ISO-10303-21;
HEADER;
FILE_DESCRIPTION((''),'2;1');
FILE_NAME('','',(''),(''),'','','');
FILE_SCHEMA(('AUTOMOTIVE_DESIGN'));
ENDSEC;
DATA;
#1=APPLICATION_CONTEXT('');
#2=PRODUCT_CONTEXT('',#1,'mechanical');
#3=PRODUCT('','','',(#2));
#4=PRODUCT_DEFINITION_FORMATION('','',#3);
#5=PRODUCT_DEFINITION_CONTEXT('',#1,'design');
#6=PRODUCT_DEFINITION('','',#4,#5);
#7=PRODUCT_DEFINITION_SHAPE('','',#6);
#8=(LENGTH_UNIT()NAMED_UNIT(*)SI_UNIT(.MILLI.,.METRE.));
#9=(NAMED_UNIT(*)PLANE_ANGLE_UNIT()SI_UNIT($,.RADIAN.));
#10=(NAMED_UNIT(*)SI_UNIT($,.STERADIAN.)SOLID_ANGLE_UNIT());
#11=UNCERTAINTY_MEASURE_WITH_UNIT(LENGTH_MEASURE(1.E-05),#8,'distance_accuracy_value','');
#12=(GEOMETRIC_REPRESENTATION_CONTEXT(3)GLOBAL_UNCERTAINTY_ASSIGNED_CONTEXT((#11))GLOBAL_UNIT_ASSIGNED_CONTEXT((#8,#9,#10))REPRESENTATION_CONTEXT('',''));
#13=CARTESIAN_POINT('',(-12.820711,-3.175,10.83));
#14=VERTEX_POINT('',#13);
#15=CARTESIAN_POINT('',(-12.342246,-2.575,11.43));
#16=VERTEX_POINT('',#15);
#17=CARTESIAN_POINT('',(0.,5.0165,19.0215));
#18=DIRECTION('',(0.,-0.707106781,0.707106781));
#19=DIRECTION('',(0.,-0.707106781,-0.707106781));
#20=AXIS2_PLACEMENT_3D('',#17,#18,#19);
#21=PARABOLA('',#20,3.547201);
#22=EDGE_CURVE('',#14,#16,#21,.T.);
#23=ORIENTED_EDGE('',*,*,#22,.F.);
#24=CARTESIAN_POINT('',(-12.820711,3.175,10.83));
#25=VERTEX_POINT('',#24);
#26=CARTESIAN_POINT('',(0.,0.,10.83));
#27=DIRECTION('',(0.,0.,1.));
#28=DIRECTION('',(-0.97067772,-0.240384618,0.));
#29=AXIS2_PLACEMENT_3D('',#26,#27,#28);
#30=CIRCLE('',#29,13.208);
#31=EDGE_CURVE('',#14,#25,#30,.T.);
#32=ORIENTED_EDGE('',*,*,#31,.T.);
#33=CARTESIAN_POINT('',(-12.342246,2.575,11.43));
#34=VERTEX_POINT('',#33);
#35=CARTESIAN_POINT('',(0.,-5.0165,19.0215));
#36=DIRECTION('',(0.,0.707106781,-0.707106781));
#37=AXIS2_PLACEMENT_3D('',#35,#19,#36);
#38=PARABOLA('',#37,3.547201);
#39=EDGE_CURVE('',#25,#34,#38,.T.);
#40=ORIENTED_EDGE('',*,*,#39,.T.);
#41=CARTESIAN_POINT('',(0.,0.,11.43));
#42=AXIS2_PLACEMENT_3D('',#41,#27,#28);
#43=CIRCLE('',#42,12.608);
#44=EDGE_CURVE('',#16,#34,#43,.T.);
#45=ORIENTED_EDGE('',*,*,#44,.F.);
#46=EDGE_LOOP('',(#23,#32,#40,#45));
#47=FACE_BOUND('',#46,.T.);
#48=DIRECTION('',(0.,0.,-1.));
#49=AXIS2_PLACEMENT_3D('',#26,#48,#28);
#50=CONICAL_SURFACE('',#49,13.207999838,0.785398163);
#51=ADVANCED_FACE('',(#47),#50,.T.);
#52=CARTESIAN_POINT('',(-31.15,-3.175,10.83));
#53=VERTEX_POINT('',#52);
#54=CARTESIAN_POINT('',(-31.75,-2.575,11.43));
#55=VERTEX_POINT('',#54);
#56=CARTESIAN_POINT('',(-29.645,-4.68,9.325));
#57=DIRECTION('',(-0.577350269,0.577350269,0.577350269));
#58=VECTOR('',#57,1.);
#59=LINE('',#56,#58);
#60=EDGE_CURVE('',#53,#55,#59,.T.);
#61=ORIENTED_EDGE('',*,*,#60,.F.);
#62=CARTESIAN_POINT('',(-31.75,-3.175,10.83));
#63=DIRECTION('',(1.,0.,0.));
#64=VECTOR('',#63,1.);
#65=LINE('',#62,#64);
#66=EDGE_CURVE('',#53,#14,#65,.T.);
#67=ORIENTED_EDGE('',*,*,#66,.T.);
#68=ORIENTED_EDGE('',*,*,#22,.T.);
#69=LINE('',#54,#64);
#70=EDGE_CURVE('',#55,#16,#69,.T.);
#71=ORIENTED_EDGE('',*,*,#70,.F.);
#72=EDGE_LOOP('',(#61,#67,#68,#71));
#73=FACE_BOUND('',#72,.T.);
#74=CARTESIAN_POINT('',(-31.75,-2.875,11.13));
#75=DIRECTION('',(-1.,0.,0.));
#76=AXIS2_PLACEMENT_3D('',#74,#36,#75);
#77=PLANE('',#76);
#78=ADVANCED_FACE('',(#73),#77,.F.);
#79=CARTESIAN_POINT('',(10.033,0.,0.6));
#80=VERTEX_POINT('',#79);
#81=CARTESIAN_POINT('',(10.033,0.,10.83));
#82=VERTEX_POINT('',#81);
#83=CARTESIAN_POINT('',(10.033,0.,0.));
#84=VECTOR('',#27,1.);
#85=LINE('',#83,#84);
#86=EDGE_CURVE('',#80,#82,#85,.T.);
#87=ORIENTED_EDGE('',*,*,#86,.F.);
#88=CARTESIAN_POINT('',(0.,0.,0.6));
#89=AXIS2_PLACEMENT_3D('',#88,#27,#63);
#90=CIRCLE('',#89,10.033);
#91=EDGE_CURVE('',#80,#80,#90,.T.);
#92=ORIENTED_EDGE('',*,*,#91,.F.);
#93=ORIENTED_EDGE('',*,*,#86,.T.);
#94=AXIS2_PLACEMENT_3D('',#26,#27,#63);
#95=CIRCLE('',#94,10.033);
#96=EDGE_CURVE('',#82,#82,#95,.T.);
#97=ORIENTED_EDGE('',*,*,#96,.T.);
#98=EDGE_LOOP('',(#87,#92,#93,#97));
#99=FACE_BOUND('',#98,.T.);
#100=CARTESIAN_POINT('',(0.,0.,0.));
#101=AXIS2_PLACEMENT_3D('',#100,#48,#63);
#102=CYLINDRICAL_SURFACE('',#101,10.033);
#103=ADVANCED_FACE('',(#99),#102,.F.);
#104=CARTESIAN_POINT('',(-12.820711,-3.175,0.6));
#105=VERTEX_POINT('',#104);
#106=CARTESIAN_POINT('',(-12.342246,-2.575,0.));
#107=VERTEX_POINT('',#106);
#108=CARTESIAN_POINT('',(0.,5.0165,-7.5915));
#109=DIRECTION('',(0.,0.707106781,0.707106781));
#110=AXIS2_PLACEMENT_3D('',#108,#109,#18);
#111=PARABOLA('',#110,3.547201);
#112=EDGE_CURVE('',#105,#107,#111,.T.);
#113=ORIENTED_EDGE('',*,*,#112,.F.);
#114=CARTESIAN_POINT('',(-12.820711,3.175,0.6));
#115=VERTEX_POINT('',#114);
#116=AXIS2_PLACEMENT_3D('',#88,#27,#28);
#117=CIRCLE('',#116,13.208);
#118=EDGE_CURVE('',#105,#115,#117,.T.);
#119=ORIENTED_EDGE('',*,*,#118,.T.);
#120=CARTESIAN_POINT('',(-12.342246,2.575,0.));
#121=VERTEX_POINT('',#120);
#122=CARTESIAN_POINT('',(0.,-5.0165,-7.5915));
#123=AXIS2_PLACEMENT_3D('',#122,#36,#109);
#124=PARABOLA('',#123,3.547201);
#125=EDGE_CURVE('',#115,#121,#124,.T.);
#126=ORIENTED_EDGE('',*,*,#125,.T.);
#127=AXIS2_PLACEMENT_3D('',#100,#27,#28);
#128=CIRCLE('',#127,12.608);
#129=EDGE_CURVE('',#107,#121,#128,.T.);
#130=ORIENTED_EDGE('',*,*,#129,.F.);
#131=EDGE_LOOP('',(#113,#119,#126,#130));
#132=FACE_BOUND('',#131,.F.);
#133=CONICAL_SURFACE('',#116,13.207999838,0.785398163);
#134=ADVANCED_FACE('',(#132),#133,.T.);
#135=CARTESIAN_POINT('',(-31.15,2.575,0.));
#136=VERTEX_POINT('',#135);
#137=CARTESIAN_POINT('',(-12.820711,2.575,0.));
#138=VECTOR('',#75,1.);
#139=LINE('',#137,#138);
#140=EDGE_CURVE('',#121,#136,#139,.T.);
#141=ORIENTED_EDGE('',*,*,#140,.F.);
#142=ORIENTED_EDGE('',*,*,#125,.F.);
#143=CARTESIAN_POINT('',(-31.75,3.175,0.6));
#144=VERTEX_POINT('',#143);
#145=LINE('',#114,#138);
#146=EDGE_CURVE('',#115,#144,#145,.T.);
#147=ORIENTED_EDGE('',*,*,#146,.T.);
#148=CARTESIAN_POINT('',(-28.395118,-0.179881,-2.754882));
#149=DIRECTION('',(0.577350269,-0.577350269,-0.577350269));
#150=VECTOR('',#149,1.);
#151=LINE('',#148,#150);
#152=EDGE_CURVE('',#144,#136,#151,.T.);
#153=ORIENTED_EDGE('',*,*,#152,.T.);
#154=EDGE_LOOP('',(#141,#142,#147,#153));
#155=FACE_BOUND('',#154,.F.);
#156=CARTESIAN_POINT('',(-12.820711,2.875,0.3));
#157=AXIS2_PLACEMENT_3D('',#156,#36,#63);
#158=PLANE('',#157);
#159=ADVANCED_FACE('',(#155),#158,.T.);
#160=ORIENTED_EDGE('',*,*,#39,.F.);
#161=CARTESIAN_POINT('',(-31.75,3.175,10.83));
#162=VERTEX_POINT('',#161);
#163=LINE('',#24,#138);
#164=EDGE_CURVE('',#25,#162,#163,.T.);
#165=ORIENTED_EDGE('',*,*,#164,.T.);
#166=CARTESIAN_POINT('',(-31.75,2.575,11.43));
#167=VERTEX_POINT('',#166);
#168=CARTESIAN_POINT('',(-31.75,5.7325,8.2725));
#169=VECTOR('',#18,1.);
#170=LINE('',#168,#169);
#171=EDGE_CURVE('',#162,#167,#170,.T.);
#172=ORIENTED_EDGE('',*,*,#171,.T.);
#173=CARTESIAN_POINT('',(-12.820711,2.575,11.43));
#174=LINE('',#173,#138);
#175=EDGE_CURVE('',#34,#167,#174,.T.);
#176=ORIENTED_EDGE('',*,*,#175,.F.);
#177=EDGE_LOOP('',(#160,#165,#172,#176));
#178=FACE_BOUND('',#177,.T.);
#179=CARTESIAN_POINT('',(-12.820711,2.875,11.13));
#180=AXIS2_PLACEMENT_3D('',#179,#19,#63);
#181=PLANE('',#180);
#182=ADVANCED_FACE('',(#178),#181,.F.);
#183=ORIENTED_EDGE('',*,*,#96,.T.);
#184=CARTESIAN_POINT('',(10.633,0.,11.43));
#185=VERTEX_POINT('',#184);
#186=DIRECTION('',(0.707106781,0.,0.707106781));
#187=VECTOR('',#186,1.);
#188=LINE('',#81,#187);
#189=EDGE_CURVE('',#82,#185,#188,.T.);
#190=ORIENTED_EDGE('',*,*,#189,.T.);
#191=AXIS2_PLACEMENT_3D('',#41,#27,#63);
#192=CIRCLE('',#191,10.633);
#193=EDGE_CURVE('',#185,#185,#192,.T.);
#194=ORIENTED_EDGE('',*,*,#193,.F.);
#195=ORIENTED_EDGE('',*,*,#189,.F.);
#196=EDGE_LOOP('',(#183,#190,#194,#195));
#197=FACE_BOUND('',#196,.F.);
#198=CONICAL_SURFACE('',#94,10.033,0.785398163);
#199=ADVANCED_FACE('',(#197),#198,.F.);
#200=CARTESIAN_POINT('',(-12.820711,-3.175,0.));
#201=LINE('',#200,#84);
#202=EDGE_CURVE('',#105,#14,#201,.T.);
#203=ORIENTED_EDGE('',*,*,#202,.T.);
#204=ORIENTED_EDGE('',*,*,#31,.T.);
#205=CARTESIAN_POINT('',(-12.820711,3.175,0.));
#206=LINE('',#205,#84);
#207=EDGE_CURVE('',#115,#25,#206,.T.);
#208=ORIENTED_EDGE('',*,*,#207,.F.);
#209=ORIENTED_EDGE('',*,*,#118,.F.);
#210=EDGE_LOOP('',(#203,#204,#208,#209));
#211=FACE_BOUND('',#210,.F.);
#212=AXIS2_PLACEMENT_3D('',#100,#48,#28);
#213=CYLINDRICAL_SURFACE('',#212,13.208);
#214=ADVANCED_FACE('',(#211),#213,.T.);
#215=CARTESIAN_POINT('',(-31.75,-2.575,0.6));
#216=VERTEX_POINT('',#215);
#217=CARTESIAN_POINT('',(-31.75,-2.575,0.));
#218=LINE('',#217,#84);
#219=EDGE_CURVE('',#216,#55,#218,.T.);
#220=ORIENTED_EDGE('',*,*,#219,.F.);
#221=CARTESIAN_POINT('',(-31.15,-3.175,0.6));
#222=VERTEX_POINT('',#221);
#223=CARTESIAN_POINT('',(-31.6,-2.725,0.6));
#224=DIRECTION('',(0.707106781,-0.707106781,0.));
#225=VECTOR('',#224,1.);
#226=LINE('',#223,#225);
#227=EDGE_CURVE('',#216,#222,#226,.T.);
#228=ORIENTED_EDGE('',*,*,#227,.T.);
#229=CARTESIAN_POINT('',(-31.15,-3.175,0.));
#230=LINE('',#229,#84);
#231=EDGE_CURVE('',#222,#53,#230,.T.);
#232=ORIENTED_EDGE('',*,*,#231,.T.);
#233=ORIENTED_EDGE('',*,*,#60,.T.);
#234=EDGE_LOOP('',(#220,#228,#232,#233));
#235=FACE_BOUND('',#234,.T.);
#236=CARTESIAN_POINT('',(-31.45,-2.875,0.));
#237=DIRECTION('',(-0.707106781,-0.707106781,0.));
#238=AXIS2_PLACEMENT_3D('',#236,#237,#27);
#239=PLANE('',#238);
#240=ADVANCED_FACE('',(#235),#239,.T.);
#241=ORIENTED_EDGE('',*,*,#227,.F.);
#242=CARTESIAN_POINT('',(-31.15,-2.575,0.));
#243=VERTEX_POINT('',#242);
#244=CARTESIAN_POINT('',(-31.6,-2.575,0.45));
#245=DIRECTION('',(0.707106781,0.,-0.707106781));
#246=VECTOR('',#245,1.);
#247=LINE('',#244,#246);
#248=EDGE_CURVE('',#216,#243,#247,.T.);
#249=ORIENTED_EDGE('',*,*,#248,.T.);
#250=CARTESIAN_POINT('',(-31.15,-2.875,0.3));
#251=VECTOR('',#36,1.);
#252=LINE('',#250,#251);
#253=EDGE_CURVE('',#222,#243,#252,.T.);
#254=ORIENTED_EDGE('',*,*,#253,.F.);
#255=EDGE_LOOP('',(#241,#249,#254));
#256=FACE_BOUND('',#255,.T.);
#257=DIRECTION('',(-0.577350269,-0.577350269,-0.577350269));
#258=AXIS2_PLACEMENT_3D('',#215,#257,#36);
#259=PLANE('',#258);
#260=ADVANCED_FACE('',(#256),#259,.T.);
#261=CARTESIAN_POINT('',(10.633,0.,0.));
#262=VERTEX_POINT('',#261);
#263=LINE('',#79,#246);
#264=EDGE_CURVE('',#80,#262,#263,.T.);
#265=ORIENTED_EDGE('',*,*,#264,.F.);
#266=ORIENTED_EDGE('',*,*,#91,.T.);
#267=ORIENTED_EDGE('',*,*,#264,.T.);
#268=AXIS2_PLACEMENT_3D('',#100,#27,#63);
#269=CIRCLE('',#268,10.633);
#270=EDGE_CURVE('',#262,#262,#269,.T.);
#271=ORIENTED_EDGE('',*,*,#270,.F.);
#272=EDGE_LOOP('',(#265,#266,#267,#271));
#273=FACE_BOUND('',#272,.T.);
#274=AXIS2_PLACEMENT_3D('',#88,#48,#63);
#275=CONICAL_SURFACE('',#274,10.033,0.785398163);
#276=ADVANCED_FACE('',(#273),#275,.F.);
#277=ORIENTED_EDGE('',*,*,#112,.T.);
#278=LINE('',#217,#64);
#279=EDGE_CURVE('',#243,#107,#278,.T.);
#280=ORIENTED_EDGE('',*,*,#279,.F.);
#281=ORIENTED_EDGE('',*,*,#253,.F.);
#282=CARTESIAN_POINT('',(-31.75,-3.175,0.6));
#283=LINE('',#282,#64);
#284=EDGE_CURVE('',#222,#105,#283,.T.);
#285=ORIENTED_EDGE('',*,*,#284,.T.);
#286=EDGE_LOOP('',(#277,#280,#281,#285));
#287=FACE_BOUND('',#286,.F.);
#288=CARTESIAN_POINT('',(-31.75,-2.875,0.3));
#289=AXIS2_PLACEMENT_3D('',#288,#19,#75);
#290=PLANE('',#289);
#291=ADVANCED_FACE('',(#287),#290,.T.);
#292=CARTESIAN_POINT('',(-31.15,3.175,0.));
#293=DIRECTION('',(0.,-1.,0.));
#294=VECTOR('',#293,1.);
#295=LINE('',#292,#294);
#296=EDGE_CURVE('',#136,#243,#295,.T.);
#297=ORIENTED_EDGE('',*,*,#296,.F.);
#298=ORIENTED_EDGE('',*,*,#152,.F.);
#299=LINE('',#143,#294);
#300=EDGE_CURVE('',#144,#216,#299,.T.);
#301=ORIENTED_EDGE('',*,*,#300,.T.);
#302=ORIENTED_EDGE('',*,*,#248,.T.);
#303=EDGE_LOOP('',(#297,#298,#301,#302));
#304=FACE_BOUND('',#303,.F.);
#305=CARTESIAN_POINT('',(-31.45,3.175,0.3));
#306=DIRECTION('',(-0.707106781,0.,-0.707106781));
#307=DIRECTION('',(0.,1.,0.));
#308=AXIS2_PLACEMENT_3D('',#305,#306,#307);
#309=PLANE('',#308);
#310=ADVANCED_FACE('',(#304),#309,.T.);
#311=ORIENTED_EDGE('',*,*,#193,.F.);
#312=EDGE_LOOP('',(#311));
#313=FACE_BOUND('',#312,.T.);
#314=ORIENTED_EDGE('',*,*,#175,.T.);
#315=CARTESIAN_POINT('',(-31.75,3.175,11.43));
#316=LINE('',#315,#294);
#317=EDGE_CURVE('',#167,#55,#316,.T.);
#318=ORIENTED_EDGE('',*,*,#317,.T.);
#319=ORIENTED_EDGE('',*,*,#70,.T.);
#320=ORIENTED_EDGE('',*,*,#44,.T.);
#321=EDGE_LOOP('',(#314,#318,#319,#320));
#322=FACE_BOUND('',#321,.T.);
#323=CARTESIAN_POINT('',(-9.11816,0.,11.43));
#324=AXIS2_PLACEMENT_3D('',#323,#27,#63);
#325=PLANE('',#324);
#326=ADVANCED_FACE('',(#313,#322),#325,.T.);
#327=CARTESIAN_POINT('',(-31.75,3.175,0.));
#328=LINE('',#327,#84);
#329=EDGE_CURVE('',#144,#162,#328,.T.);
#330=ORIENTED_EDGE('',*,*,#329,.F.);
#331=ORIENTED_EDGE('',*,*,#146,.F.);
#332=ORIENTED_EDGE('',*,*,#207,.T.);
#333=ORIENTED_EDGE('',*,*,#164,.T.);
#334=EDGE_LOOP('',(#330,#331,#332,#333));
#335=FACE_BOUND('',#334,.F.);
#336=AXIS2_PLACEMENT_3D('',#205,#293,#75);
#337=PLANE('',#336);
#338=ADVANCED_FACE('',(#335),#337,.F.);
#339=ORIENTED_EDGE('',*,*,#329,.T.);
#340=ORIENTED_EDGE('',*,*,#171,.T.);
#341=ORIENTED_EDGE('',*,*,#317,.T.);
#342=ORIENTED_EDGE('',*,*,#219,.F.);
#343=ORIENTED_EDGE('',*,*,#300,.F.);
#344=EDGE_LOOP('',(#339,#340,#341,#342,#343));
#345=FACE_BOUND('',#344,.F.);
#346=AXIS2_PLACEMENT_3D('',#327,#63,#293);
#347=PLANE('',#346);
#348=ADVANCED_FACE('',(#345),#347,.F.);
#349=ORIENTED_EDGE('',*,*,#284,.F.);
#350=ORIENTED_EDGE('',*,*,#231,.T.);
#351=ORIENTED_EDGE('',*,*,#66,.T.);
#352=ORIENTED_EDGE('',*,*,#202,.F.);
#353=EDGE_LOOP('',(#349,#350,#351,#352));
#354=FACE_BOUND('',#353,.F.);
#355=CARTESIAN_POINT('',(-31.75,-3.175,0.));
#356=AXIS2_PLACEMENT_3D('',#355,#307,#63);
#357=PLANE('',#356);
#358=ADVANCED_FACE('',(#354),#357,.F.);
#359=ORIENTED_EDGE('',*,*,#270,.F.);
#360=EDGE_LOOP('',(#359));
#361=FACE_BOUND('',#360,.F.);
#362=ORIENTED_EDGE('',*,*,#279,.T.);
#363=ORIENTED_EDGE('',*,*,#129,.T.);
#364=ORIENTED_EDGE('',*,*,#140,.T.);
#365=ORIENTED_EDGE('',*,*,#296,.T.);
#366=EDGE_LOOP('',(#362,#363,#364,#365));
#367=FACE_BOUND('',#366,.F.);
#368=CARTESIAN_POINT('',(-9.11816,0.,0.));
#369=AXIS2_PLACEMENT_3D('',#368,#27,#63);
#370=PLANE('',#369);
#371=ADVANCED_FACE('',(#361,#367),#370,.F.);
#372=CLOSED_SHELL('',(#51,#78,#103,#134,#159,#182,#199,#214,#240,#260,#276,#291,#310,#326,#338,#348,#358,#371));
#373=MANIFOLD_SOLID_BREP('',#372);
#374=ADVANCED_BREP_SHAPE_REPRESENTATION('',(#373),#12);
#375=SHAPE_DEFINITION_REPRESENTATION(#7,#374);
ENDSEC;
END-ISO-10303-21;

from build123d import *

# Parameters (mm, degrees)
F0_R     = 10.033
F1_DEPTH = 11.43
F2_SIZE  = 0.6


with BuildPart() as f1:
    # F0 (on Top) → F1 (new body)
    with BuildSketch(Plane.XY):
        with BuildLine():
            Line((-31.75, -3.175), (-12.820711, -3.175))
            ThreePointArc((-12.820711, -3.175), (13.208, 0), (-12.820711, 3.175))
            Line((-12.820711, 3.175), (-31.75, 3.175))
            Line((-31.75, 3.175), (-31.75, -3.175))
        make_face()
        Circle(F0_R, mode=Mode.SUBTRACT)
    extrude(amount=F1_DEPTH)

    # F2
    f2_edges = [f1.edges().sort_by_distance(p)[0] for p in [
        (-10.033, 0, 11.43),
        (13.208, 0, 11.43),
        (-22.285356, -3.175, 11.43),
        (-22.285356, 3.175, 11.43),
        (-22.285356, -3.175, 0),
        (-31.75, -3.175, 5.715),
        (13.208, 0, 0),
        (-10.033, 0, 0),
        (-22.285356, 3.175, 0),
        (-31.75, 0, 0),
    ]]
    chamfer(f2_edges, length=F2_SIZE)


solid = f1.part
